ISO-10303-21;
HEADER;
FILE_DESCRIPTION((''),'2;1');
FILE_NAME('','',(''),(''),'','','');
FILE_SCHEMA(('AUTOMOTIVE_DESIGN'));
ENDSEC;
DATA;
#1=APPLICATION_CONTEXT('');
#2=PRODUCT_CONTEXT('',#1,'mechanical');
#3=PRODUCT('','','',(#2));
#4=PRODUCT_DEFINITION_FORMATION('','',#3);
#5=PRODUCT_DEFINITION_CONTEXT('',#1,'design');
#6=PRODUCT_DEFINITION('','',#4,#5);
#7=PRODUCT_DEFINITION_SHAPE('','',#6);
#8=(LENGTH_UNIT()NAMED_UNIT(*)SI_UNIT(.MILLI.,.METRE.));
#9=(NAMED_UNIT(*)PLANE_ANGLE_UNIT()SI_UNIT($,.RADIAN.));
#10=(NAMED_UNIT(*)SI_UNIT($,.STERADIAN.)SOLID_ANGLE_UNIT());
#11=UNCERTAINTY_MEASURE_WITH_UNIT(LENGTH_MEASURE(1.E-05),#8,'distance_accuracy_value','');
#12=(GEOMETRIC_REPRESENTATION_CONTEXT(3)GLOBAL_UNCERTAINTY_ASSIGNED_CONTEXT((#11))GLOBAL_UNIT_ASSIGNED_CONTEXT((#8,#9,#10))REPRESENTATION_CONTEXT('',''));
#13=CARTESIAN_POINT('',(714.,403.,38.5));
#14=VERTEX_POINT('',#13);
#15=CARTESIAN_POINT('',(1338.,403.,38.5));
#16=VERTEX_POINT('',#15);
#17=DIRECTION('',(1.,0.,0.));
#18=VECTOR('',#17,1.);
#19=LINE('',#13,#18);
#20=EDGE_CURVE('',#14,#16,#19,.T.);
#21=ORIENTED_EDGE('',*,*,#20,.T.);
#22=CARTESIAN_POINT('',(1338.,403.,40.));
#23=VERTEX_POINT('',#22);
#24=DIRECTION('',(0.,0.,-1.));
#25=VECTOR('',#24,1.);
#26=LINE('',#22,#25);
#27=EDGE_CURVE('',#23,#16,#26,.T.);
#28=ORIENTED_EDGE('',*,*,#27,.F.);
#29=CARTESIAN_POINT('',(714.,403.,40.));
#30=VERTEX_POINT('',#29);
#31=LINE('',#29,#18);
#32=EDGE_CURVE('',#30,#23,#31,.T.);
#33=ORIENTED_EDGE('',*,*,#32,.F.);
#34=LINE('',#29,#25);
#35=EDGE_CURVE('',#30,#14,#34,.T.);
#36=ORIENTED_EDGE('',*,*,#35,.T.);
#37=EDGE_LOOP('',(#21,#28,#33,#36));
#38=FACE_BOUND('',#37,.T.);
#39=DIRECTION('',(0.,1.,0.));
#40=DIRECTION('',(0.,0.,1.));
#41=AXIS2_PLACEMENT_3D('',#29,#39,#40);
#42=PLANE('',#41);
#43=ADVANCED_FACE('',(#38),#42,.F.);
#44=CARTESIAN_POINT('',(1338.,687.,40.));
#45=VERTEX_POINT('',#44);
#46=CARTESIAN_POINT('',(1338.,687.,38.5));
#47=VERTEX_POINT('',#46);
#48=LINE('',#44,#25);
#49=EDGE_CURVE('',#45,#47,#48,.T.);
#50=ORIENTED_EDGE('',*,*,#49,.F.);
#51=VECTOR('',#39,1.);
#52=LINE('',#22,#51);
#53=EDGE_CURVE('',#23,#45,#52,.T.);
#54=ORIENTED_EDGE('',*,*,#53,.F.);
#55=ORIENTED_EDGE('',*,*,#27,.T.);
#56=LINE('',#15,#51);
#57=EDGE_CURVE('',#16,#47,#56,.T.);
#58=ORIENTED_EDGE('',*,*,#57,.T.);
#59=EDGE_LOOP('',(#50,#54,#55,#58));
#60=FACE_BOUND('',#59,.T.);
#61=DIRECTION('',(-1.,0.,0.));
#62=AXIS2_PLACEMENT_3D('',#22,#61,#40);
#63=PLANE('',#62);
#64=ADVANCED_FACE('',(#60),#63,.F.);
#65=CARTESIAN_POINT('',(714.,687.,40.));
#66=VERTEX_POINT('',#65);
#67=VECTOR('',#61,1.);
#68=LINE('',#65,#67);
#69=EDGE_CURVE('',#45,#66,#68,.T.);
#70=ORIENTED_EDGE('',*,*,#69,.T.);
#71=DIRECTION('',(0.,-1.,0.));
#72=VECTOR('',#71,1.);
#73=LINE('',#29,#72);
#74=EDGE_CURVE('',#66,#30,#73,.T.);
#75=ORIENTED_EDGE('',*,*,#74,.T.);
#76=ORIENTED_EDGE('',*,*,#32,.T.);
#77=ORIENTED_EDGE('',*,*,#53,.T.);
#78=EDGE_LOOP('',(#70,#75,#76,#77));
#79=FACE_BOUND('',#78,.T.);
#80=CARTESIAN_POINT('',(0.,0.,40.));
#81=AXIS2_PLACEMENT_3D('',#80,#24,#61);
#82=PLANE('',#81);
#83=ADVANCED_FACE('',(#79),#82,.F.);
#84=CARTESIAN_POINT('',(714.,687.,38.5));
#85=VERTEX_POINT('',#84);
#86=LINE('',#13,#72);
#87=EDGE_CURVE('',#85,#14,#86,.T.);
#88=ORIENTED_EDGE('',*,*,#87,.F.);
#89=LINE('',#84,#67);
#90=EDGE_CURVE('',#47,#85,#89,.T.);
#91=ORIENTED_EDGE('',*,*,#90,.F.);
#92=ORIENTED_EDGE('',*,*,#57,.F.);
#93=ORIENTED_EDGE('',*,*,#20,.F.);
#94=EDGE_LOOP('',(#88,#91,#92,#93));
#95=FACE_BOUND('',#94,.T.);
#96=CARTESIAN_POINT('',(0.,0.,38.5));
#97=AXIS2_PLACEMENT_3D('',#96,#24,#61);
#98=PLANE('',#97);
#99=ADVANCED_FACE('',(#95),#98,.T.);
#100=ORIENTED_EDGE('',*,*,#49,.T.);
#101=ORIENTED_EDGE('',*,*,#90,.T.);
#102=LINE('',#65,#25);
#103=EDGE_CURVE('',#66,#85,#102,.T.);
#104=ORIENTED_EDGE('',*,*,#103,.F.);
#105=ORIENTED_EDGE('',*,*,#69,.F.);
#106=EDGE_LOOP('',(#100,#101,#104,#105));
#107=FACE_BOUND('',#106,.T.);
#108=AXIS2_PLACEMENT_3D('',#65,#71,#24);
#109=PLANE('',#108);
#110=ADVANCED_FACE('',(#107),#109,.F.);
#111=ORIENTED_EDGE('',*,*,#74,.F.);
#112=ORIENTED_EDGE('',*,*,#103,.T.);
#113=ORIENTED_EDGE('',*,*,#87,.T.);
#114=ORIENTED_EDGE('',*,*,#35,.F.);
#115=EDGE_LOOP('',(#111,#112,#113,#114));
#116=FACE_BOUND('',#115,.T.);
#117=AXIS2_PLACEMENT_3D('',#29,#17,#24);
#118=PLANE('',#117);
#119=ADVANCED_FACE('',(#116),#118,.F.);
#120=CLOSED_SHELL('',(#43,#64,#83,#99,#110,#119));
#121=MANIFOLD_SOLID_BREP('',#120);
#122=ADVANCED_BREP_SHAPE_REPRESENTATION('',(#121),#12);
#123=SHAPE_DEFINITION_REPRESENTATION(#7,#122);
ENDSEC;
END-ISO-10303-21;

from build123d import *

# Parameters (mm, degrees)
STORE_PANEL_BOS_BANT_1_START = 38.5
SKETCH1_W                    = 624
SKETCH1_H                    = 284
STORE_PANEL_BOS_BANT_1_DEPTH = 1.5


with BuildPart() as part:
    # Sketch1 → STORE_panel_bos_bant_1 (new body)
    with BuildSketch(Plane.XY.offset(STORE_PANEL_BOS_BANT_1_START)):
        with Locations((1026, 545)):
            Rectangle(SKETCH1_W, SKETCH1_H)
    extrude(amount=STORE_PANEL_BOS_BANT_1_DEPTH)


solid = part.part
